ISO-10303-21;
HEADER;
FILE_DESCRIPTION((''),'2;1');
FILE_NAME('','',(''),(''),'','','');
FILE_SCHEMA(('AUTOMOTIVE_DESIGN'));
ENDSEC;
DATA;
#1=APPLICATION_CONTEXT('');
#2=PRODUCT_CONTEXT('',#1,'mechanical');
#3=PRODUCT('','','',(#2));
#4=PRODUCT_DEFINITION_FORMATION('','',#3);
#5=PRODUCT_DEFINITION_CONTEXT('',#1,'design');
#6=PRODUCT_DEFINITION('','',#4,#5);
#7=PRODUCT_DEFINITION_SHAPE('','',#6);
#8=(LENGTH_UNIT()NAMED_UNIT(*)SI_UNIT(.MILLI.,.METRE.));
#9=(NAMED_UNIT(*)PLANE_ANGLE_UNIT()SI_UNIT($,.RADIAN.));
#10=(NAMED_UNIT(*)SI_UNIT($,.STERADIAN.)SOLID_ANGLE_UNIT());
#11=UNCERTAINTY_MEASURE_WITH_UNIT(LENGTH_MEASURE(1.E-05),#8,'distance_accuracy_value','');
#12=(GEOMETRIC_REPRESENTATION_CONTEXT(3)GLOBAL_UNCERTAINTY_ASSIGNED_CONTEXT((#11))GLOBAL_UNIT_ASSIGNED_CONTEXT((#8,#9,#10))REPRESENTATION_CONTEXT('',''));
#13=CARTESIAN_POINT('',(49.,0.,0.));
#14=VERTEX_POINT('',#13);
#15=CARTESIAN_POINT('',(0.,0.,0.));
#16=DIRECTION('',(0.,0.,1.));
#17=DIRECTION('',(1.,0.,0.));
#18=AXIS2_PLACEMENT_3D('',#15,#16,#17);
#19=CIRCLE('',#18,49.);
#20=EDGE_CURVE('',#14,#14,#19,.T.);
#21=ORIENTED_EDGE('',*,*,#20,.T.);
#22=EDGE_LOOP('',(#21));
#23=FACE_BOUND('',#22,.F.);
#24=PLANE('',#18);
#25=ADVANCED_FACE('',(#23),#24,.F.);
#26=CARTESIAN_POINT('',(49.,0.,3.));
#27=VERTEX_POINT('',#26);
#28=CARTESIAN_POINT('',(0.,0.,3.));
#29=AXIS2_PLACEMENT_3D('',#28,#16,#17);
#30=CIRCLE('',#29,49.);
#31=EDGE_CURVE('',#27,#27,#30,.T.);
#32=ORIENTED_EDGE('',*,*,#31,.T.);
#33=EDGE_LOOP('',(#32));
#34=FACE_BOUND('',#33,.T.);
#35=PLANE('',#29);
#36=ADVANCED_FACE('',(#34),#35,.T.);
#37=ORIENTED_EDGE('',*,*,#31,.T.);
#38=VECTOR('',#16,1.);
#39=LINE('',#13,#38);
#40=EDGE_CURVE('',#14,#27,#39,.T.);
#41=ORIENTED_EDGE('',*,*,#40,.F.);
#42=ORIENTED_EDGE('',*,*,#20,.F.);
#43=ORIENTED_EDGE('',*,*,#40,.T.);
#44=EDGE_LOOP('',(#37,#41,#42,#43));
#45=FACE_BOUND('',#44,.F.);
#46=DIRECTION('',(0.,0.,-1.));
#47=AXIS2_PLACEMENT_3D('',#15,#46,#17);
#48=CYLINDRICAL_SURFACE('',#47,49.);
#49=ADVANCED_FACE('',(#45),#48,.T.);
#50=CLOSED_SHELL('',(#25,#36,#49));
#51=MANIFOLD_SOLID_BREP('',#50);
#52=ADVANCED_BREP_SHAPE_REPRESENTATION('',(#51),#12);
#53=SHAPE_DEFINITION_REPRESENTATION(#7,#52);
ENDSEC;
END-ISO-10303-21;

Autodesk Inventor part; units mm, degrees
ref_plane "YZ Plane" through (0, 0, 0) normal (1, 0, 0) x (0, 1, 0)
ref_plane "XZ Plane" through (0, 0, 0) normal (0, 1, 0) x (-1, 0, 0)
ref_plane "XY Plane" through (0, 0, 0) normal (0, 0, 1) x (1, 0, 0)
sketch "Sketch1" plane through (0, 0, 0) normal (0, 0, 1) x (1, 0, 0)
  circle A0 centre (0, 0) radius 49 projected
  point P0 (0, 0)
  dimension "d0" = 3
extrude "Extrusion1" add sketch "Sketch1" along normal blind 3
properties part number "HubSparPlate90"
